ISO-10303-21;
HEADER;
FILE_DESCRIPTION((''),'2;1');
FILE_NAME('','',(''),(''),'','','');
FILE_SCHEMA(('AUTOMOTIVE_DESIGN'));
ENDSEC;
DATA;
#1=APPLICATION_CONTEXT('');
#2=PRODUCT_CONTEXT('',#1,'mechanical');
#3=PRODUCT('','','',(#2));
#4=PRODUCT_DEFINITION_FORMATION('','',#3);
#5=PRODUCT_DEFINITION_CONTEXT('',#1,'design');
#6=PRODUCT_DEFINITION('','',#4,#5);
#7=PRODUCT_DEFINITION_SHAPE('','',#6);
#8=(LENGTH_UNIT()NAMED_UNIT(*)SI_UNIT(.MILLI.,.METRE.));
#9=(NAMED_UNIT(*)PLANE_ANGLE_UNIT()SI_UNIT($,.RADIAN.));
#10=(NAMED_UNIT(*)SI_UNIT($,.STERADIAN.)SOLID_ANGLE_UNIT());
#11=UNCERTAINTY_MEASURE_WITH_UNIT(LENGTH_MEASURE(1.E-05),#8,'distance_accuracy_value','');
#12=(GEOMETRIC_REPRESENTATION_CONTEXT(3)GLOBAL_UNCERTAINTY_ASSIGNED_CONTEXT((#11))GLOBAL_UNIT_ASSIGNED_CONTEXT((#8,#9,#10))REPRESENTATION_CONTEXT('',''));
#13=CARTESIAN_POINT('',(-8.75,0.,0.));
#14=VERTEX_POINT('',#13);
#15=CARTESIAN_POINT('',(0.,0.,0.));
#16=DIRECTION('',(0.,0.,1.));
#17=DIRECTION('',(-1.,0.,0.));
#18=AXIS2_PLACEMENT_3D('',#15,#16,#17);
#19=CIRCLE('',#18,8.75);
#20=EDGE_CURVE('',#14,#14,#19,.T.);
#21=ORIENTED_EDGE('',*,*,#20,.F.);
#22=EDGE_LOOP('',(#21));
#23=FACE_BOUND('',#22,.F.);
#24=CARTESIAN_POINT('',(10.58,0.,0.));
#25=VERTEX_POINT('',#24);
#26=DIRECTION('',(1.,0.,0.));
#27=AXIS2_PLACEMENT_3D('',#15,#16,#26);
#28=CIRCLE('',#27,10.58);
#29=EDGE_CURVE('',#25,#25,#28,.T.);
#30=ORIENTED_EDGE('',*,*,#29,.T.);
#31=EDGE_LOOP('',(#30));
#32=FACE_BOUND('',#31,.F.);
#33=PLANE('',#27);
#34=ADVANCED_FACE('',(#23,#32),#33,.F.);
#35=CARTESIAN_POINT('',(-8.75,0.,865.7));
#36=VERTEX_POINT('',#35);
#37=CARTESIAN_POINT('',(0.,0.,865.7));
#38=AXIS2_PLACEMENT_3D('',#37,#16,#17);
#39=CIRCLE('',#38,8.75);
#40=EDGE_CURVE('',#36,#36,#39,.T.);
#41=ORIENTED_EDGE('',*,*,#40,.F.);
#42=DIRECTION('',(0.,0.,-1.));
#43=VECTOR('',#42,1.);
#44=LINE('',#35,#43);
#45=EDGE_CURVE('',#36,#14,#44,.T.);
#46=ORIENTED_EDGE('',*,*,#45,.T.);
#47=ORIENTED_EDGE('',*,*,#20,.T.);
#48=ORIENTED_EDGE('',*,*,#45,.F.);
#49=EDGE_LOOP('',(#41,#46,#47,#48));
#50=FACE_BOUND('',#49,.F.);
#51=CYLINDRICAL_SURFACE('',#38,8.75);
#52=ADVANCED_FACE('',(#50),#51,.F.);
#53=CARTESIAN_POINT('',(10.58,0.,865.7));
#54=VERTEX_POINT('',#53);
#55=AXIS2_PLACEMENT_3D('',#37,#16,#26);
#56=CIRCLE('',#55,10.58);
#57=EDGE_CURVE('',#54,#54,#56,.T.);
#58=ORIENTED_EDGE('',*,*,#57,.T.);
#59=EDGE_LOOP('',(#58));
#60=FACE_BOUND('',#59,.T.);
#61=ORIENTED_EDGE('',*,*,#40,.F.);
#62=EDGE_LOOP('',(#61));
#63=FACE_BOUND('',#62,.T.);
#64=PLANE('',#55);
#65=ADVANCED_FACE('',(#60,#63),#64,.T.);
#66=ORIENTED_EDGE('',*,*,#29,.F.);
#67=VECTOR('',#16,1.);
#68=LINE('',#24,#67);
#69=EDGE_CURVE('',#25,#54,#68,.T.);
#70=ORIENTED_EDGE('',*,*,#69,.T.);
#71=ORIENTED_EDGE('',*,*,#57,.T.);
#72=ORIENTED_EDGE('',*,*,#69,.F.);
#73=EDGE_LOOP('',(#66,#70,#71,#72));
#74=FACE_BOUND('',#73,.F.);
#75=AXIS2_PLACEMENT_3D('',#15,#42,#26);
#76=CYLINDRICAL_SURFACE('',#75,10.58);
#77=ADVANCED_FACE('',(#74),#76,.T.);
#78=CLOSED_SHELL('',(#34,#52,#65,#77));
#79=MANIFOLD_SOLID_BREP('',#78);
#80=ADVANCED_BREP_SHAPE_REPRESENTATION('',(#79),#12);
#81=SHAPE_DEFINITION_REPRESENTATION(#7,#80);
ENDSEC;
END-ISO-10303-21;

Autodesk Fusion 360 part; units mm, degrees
sketch "Boceto1" plane through (0, 0, 0) normal (0, 0, 1) x (1, 0, 0)
  circle A0 centre (0, 0) radius 10.58
  dimension "d1" = 21.16
extrude "Extruir1" add sketch "Boceto1" along normal blind 865.7
sketch "Boceto2" plane through (0, 0, 865.7) normal (0, 0, 1) x (-1, 0, 0)
  circle A0 centre (0, 0) radius 10.58
  circle A1 centre (0, 0) radius 8.75
  dimension "d4" = 17.5
extrude "Extruir2" cut sketch "Boceto2" against normal blind 870 contours A1
